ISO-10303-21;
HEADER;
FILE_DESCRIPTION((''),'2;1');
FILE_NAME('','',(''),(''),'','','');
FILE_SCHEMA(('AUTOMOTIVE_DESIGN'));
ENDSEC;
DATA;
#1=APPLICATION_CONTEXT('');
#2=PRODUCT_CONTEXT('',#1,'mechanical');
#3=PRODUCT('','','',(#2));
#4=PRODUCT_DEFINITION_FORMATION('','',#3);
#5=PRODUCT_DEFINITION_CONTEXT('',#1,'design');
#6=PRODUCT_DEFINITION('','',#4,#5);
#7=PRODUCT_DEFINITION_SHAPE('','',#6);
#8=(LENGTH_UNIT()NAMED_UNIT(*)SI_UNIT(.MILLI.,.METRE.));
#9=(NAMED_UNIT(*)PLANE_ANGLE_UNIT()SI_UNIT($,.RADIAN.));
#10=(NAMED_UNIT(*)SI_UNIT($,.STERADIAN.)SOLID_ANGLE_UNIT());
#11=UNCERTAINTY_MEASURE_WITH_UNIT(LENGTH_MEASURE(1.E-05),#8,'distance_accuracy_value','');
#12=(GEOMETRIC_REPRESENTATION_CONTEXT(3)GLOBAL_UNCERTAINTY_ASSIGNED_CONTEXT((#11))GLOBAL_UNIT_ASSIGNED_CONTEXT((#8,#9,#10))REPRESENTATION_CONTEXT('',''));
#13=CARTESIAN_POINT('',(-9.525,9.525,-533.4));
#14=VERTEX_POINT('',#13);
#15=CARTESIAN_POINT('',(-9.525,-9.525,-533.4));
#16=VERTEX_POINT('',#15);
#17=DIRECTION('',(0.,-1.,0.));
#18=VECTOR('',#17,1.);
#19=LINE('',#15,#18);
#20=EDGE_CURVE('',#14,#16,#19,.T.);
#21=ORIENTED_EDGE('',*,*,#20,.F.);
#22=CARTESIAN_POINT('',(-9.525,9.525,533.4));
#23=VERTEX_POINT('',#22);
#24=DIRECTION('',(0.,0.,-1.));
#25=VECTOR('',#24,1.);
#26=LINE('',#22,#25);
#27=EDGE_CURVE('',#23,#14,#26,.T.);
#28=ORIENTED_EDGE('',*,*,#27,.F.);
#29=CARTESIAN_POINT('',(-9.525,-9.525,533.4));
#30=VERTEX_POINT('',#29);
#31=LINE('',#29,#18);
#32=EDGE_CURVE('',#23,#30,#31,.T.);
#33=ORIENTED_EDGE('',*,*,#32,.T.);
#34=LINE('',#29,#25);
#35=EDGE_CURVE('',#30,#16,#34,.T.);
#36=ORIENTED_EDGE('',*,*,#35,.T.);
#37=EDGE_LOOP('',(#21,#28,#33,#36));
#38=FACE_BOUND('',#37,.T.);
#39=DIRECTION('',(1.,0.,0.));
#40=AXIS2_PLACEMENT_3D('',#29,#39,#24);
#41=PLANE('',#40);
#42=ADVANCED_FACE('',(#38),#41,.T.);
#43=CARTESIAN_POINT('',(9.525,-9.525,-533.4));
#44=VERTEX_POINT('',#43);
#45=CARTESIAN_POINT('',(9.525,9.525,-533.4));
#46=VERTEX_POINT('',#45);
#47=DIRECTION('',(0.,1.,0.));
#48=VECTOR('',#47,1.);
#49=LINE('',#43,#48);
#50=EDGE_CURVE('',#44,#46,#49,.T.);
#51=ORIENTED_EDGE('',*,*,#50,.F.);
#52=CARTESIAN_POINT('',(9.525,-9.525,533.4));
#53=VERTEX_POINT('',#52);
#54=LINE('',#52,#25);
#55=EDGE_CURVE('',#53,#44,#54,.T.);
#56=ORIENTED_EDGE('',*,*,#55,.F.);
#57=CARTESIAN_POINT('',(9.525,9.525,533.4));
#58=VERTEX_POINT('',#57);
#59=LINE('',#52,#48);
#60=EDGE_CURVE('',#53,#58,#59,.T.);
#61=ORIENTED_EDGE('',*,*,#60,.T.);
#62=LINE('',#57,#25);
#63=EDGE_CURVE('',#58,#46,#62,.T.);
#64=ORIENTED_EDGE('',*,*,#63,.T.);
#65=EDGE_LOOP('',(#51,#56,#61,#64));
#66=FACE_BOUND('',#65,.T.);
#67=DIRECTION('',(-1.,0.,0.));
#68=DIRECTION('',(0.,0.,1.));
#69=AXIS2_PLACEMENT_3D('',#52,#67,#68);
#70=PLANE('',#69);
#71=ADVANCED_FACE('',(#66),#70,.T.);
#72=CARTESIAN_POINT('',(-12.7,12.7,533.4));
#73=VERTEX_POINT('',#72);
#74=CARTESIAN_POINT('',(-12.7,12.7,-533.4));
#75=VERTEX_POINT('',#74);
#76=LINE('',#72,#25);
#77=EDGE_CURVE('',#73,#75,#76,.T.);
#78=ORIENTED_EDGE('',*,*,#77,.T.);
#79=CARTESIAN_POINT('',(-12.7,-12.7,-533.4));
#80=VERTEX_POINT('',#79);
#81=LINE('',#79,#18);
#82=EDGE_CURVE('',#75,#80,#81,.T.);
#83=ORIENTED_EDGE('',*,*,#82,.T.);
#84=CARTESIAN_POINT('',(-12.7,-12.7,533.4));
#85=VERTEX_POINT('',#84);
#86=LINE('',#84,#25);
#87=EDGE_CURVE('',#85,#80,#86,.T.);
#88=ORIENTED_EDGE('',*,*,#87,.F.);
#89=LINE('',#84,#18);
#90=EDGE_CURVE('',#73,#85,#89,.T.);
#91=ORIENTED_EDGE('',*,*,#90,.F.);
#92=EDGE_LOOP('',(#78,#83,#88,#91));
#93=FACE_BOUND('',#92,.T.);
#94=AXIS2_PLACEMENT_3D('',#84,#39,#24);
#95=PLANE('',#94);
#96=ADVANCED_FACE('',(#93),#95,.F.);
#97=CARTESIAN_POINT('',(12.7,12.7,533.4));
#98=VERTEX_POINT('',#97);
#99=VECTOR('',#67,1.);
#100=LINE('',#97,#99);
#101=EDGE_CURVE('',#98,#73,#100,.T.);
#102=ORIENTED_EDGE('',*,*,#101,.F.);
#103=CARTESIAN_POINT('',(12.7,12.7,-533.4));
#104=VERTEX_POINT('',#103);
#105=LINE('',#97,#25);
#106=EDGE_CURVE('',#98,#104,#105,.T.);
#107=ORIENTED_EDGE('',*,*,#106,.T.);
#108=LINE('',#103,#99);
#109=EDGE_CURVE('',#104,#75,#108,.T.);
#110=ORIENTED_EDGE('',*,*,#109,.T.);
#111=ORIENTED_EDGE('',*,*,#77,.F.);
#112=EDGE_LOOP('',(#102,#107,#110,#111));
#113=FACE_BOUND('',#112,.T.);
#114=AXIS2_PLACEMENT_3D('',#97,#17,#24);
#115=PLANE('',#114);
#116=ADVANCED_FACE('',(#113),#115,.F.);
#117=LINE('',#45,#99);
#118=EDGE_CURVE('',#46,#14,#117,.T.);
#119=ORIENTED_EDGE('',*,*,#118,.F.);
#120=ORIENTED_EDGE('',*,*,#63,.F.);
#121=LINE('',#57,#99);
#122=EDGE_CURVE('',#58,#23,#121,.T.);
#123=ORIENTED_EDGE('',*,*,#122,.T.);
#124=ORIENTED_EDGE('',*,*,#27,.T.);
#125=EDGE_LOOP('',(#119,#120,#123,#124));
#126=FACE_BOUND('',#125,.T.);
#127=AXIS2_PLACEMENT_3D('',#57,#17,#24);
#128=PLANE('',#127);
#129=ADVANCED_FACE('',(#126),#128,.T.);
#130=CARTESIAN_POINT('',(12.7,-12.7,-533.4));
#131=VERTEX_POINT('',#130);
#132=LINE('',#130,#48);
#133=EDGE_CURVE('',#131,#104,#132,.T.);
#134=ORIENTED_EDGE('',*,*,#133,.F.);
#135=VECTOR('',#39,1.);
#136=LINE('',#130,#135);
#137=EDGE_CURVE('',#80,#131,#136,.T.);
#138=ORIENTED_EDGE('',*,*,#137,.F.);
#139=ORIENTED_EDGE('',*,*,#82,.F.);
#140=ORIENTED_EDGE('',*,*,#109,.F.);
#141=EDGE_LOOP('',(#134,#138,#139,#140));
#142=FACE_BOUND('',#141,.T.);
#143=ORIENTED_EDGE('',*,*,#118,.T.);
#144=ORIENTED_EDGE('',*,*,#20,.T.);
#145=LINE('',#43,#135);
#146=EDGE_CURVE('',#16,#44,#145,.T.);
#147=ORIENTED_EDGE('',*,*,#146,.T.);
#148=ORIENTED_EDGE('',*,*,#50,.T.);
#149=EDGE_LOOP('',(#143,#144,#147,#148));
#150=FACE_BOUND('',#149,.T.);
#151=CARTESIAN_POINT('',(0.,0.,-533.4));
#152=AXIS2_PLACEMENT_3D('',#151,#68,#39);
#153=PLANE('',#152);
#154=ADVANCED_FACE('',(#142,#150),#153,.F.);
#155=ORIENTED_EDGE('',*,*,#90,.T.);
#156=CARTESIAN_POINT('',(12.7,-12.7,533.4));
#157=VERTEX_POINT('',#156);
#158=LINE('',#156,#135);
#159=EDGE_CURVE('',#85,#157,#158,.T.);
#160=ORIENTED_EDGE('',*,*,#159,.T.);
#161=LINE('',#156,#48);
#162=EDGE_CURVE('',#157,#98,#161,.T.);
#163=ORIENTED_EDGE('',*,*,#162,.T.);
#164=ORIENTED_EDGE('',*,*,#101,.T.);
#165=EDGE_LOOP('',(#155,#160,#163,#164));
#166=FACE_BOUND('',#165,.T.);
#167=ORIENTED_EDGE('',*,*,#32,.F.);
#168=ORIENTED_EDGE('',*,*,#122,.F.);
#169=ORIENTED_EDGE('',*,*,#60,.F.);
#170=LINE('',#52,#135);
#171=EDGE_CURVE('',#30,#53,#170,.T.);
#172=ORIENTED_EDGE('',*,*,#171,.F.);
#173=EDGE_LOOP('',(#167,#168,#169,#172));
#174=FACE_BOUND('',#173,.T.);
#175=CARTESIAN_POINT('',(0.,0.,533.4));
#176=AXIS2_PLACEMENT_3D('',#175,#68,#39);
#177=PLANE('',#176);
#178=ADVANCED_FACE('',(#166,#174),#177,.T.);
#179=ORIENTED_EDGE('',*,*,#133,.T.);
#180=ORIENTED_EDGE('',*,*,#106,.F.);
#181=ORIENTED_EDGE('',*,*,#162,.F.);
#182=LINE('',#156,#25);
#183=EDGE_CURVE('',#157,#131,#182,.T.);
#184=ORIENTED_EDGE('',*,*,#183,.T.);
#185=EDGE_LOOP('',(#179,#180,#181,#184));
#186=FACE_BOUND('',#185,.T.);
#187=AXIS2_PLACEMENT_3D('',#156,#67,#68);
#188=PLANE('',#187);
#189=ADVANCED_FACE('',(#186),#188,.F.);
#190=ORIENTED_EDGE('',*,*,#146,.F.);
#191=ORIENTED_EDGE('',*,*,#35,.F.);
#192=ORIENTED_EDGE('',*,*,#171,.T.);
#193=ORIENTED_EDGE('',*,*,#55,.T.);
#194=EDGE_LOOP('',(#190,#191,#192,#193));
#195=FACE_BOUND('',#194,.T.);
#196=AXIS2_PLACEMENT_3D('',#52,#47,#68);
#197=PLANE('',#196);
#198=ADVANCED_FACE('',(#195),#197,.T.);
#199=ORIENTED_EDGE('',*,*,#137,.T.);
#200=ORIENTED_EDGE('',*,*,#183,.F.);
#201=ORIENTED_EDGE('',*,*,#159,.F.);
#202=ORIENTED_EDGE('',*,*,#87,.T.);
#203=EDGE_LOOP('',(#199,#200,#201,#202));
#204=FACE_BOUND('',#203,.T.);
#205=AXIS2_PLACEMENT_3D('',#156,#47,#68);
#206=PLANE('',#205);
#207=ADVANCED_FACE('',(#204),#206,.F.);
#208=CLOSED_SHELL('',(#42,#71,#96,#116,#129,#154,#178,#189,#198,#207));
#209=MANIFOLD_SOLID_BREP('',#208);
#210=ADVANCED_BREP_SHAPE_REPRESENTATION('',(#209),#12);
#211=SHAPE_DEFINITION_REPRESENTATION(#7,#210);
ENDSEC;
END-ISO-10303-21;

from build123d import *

# Parameters (mm, degrees)
BOSS_EXTRUDE1_DEPTH      = 533.4
BOSS_EXTRUDE1_DEPTH_BACK = 533.4
SKETCH3_W                = 25.4
SKETCH3_H                = 25.4
SKETCH3_W_2              = 19.05
SKETCH3_H_2              = 19.05


with BuildPart() as part:
    # Sketch3 → Boss-Extrude1 (new, two sides: drawn at the far end of the back side and taken through both)
    with BuildSketch(Plane.XY.offset(-BOSS_EXTRUDE1_DEPTH_BACK)):
        Rectangle(SKETCH3_W, SKETCH3_H)
        Rectangle(SKETCH3_W_2, SKETCH3_H_2, mode=Mode.SUBTRACT)
    extrude(amount=BOSS_EXTRUDE1_DEPTH + BOSS_EXTRUDE1_DEPTH_BACK)


solid = part.part
